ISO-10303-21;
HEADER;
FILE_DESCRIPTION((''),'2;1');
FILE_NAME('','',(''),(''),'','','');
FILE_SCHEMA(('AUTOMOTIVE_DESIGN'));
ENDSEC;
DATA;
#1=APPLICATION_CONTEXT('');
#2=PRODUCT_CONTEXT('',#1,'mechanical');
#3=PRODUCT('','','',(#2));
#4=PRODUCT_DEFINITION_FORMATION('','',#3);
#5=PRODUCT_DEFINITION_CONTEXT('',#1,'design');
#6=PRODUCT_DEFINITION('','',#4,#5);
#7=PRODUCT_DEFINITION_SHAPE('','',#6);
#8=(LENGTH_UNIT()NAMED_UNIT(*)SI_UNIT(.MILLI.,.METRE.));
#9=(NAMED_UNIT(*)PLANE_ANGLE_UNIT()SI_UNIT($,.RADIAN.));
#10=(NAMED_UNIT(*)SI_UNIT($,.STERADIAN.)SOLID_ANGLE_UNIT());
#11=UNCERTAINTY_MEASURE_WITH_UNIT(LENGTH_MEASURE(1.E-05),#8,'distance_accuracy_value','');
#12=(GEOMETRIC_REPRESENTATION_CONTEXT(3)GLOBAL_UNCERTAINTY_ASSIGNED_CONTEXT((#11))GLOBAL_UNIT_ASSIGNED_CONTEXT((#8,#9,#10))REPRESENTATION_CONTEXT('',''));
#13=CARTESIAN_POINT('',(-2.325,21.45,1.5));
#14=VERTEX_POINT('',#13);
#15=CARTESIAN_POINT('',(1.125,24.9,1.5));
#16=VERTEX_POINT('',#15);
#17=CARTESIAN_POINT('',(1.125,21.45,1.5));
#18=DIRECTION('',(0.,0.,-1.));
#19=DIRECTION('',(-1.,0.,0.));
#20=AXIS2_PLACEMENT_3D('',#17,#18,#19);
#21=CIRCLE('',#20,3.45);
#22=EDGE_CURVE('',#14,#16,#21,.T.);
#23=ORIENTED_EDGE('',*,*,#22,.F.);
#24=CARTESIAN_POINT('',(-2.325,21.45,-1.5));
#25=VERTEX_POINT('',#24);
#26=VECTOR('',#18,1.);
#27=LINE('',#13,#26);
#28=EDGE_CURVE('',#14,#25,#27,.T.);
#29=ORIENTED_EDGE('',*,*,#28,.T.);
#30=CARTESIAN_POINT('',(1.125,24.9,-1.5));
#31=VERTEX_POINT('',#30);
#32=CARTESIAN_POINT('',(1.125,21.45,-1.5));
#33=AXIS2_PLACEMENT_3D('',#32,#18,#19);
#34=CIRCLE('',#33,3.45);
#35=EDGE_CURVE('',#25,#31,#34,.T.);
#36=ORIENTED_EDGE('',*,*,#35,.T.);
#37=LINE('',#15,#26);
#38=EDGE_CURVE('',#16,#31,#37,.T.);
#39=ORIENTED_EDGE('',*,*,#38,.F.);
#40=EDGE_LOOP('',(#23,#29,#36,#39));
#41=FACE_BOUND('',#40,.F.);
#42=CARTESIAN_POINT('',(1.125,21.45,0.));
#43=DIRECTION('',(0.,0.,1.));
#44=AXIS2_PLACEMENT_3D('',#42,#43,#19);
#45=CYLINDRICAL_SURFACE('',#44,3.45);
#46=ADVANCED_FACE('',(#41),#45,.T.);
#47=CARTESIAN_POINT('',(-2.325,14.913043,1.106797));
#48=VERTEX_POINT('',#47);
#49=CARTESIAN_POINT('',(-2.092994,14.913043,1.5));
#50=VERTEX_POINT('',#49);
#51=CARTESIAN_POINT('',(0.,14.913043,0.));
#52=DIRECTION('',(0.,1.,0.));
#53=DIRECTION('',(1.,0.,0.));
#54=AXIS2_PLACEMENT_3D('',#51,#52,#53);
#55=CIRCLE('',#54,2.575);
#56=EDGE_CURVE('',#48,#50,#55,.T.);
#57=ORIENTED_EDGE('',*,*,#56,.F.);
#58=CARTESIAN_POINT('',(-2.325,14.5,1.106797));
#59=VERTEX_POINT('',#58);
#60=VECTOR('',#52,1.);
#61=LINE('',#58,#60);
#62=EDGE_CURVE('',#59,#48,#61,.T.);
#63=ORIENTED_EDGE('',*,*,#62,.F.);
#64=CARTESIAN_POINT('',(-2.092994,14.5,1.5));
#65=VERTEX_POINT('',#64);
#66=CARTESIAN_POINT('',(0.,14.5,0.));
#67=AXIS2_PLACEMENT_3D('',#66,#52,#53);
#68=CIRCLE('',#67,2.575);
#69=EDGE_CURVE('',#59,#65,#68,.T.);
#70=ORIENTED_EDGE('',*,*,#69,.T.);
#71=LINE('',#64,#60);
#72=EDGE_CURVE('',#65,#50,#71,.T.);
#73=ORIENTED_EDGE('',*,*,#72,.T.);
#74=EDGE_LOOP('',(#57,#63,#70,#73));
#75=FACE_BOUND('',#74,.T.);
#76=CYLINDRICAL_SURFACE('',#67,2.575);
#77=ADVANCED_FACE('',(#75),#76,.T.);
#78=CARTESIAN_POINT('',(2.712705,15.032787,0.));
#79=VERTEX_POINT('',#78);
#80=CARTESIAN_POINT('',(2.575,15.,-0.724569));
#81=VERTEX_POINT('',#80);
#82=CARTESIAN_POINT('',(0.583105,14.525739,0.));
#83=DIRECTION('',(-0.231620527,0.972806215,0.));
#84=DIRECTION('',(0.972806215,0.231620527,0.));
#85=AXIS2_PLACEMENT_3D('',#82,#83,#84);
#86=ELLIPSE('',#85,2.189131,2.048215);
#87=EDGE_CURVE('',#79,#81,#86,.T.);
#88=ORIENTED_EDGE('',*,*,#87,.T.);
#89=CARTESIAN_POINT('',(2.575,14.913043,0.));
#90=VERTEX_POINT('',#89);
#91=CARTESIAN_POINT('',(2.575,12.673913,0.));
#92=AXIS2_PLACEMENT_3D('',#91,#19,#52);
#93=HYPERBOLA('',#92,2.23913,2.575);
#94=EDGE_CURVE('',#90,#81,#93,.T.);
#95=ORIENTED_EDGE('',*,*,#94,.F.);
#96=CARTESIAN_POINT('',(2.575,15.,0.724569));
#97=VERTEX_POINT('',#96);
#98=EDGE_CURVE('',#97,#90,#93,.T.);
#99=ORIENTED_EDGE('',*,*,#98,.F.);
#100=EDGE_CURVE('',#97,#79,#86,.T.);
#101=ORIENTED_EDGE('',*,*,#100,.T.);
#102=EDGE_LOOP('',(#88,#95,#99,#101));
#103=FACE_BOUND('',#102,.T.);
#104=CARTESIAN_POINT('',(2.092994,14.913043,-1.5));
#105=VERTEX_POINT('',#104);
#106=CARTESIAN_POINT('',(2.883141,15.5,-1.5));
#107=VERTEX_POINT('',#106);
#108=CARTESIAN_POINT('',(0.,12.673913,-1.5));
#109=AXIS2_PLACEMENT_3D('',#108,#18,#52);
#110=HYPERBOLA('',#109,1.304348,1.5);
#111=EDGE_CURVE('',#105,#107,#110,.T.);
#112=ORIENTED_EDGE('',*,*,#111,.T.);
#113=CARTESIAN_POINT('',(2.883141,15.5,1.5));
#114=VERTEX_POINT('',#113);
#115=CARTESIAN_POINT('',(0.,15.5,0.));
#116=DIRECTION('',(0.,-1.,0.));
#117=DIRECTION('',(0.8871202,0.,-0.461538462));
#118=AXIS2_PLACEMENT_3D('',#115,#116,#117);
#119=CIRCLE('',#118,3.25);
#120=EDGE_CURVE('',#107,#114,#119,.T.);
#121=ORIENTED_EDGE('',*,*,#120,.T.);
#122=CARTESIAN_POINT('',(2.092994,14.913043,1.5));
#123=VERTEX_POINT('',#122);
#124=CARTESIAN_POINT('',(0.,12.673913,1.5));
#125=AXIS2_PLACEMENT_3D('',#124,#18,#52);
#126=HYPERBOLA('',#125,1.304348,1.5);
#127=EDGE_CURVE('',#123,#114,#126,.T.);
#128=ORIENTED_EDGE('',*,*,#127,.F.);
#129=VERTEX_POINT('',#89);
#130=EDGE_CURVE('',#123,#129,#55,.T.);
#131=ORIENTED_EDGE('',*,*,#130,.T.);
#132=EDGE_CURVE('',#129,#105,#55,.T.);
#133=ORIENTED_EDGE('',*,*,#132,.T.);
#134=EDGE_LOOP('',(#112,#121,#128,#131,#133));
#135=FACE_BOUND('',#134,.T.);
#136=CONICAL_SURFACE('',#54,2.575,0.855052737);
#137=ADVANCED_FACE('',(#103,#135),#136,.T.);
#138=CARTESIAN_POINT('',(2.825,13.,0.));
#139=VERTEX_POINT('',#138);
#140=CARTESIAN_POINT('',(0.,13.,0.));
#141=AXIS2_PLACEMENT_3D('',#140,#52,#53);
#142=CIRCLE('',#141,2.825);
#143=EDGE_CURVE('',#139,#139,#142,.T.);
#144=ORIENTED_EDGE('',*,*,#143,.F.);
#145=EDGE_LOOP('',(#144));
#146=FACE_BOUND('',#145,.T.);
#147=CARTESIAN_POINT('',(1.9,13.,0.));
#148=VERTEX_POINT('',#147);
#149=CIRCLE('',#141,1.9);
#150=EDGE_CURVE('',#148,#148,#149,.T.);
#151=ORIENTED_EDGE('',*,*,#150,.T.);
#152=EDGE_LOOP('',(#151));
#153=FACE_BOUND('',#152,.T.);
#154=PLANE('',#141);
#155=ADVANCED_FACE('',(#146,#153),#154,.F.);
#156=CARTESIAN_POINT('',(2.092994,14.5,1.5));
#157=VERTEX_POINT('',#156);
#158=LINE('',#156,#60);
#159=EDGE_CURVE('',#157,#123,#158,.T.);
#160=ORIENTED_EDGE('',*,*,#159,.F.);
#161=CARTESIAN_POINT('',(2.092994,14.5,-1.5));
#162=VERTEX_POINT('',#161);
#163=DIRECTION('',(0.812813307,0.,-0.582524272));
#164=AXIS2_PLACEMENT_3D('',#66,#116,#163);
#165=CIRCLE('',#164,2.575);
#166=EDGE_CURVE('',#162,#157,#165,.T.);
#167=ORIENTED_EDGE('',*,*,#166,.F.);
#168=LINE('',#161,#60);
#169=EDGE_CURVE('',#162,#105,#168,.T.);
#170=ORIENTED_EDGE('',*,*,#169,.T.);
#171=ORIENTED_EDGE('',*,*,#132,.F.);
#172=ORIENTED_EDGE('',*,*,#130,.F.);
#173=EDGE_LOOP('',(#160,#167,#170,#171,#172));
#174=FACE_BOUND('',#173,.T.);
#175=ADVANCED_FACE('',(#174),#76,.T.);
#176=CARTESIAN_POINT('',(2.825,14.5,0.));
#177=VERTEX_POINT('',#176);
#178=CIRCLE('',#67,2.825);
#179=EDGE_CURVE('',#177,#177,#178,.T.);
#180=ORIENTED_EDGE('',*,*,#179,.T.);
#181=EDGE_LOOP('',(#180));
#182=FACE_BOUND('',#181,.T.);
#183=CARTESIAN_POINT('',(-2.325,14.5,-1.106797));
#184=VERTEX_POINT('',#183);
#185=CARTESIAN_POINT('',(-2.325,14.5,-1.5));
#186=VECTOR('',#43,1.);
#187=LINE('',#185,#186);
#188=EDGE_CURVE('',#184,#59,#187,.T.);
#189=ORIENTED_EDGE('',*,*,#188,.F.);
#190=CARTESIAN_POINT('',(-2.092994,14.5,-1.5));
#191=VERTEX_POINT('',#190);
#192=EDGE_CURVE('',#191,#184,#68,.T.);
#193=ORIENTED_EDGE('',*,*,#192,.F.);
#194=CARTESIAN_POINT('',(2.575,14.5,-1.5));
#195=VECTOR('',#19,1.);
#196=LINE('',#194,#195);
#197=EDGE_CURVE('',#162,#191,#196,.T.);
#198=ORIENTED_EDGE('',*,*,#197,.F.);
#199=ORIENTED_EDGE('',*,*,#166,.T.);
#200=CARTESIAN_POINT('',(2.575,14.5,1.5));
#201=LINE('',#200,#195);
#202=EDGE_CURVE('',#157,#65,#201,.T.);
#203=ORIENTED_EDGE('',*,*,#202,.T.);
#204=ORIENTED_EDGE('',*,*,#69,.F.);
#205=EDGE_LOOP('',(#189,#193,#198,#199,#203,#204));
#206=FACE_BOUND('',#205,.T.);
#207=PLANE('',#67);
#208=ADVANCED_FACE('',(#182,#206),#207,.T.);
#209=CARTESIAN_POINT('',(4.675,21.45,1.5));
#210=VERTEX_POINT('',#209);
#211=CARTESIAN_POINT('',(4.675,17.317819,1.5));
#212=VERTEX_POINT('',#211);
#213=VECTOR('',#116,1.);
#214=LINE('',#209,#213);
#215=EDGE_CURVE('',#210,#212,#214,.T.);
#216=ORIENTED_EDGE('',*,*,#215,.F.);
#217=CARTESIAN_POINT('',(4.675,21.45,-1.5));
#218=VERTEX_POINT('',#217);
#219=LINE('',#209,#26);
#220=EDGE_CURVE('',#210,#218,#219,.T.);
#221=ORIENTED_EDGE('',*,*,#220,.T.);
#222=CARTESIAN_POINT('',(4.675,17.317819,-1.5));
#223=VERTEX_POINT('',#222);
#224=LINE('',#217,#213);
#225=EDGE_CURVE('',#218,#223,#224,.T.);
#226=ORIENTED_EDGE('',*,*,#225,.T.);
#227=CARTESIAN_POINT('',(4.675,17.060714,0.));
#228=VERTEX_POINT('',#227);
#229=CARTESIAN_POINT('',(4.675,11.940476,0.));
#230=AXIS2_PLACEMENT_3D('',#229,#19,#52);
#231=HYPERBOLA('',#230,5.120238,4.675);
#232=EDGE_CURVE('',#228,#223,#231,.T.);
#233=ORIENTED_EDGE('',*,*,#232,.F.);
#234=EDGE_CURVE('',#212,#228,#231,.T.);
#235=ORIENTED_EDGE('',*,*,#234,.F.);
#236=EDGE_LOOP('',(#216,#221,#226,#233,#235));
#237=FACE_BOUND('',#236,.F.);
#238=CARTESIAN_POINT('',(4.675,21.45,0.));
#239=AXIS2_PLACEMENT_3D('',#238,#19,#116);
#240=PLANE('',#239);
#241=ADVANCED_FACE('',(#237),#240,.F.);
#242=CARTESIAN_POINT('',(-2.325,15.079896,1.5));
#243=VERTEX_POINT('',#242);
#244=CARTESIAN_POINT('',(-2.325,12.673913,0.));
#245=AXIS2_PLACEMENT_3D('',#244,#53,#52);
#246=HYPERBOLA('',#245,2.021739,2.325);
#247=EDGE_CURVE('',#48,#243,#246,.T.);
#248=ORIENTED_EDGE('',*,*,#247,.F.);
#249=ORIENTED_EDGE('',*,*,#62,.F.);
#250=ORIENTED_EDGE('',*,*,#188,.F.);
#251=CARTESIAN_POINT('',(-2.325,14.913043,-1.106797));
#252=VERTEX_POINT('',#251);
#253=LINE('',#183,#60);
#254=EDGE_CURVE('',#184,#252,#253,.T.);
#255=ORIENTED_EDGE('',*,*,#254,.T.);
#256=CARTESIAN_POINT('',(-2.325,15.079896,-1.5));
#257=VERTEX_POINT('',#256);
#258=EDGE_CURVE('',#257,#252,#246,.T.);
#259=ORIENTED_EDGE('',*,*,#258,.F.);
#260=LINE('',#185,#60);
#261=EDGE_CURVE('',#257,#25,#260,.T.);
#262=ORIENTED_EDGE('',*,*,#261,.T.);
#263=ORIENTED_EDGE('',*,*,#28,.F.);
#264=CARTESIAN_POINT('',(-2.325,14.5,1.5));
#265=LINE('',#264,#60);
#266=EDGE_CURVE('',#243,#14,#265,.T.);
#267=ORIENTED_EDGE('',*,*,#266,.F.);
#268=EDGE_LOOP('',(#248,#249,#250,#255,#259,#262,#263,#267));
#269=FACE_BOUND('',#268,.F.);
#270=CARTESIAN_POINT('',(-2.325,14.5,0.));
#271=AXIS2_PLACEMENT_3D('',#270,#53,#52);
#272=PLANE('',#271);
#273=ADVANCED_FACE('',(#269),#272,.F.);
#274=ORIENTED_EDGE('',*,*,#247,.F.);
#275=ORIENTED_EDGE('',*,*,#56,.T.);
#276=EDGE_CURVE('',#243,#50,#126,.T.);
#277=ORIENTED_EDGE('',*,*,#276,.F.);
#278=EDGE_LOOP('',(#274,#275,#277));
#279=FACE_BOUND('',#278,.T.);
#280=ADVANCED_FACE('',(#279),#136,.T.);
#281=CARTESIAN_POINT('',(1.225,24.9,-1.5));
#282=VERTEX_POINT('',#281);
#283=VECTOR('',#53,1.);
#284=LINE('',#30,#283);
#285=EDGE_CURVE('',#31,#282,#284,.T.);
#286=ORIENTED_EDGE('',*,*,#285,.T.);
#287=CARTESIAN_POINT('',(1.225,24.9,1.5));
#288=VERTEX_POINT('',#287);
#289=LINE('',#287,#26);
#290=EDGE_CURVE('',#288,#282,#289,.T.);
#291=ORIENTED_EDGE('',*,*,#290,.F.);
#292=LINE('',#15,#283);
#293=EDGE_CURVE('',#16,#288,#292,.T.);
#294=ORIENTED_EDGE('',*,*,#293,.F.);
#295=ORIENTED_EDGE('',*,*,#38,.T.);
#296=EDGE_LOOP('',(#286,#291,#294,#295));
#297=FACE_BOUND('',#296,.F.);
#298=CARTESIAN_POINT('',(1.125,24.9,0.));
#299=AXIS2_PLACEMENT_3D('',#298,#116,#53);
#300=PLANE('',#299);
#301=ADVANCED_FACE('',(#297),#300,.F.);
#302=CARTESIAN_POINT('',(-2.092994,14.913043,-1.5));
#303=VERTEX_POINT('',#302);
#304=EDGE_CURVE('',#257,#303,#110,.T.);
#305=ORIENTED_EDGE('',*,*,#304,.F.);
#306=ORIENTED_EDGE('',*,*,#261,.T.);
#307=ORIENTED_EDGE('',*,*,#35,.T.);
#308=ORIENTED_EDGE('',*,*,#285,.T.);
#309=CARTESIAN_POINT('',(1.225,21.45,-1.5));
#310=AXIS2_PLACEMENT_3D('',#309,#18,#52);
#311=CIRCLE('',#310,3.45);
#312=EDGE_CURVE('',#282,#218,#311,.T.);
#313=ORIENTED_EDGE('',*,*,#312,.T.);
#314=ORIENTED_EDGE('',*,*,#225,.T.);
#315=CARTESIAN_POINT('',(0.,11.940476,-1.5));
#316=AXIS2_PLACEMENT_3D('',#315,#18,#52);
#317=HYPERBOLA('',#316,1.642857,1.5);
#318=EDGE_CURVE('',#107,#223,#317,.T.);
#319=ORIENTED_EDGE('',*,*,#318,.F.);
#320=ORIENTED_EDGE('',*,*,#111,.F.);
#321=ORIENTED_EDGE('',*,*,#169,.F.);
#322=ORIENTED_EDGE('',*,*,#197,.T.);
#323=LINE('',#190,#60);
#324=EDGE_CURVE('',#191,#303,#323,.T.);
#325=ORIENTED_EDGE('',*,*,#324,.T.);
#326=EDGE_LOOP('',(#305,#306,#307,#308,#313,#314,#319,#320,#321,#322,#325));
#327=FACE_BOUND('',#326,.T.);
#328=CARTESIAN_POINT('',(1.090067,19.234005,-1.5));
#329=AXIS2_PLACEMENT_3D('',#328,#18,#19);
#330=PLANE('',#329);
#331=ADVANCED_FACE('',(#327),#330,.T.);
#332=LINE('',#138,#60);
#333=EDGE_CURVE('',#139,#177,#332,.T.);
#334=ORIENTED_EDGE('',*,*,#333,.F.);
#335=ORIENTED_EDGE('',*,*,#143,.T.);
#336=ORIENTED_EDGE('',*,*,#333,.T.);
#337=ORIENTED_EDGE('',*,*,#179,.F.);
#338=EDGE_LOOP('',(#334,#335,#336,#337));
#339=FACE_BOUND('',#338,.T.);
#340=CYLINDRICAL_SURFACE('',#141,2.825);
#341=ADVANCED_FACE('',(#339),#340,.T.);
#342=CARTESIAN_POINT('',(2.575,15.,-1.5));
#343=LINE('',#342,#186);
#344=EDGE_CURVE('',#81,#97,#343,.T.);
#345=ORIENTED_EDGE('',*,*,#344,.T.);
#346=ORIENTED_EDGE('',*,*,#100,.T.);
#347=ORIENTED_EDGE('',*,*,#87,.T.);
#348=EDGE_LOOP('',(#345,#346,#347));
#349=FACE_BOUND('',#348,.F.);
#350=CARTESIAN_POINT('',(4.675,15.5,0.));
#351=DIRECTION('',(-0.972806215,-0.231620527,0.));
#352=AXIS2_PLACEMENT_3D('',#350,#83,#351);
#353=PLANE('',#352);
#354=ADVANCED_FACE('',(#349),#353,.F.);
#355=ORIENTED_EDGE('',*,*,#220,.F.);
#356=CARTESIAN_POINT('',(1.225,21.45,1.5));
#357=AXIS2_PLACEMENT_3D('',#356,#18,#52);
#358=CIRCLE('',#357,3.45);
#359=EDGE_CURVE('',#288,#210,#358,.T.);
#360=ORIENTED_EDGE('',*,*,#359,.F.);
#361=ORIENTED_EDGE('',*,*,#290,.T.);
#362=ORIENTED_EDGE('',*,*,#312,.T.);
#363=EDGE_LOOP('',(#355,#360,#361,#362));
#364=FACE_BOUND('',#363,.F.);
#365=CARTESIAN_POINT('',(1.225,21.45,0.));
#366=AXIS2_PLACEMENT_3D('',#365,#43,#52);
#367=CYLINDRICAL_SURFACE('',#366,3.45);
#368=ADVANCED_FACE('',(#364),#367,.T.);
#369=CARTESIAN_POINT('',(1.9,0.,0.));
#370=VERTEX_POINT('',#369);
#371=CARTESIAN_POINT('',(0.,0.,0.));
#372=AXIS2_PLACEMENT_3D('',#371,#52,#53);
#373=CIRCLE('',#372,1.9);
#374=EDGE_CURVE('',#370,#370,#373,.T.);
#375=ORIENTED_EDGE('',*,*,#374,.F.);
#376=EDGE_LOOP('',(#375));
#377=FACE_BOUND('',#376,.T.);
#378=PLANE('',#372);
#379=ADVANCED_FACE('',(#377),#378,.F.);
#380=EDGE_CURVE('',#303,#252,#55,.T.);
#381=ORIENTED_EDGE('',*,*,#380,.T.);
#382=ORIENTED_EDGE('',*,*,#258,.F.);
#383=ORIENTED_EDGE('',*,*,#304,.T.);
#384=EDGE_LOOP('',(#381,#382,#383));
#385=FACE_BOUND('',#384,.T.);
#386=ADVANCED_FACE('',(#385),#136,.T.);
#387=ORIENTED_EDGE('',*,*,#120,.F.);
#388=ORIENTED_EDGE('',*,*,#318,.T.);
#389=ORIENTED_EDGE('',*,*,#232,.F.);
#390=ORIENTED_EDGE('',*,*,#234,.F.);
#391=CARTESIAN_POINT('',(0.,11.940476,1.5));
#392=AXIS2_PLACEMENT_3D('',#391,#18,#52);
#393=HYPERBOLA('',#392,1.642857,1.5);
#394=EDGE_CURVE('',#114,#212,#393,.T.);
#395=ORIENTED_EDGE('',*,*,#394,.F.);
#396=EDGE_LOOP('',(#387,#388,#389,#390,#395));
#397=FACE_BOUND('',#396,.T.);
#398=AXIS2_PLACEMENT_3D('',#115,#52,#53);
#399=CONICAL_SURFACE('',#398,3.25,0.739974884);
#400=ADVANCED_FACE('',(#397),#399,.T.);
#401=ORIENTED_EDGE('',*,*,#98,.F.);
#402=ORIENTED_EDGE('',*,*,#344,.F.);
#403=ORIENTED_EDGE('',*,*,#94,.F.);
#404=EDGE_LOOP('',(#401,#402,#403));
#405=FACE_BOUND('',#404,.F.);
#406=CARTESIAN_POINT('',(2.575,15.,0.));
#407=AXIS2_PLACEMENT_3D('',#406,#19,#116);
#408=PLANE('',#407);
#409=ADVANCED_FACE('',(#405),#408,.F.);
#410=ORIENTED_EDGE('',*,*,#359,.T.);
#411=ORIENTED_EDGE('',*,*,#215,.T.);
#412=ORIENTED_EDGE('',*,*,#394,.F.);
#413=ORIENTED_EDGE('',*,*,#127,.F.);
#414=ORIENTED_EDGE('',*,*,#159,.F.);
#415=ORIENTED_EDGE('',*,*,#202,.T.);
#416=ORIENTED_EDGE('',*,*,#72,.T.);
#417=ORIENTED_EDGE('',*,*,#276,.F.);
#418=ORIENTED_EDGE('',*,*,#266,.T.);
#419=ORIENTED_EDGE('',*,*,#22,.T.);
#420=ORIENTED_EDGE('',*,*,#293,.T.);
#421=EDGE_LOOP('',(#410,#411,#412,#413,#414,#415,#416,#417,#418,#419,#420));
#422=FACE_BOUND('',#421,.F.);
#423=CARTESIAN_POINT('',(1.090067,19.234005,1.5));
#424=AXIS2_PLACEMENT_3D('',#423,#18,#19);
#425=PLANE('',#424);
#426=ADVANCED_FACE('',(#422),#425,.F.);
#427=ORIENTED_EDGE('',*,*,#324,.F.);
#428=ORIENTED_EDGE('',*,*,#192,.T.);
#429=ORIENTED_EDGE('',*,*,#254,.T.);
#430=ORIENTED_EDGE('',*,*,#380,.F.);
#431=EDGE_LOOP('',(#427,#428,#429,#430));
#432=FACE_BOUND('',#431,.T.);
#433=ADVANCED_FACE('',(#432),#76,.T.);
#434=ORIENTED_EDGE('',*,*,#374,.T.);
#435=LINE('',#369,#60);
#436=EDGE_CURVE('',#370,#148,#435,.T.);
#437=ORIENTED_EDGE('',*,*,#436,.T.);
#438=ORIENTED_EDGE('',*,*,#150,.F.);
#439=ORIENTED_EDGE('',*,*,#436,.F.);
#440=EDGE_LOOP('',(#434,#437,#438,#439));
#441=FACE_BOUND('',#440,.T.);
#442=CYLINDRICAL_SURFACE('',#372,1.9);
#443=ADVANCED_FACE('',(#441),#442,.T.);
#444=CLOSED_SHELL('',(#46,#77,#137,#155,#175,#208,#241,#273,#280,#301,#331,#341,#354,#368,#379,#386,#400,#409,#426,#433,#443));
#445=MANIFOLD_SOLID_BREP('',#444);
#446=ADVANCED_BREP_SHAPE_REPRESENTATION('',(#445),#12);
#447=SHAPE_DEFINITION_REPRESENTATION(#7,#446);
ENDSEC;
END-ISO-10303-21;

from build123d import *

# Parameters (mm, degrees)
BOSS_EXTRUDE1_DEPTH = 1.5


with BuildPart() as part:
    # Sketch1 → Revolve1 (revolve)
    with BuildSketch(Plane.XY):
        Polygon((0, 0), (1.9, 0), (1.9, 13), (2.825, 13), (2.825, 14.5), (0, 14.5), align=None)
    revolve(axis=Axis((0, 0, 0), (0, 1, 0)))

    # Sketch2 → Boss-Extrude1 (add, symmetric)
    with BuildSketch(Plane.XY):
        with BuildLine():
            Line((-2.325, 14.5), (-2.325, 21.45))
            ThreePointArc((-2.325, 21.45), (-1.314518395, 23.889518395), (1.125, 24.9))
            Line((1.125, 24.9), (1.225, 24.9))
            ThreePointArc((1.225, 24.9), (3.664518395, 23.889518395), (4.675, 21.45))
            Line((4.675, 21.45), (4.675, 15.5))
            Line((4.675, 15.5), (2.575, 15))
            Line((2.575, 15), (2.575, 14.5))
            Line((2.575, 14.5), (-2.325, 14.5))
        make_face()
    extrude(amount=BOSS_EXTRUDE1_DEPTH, both=True)

    # Sketch3 → DELETE CUT TO SEE REAL COMPONENT (revolve, cut)
    with BuildSketch(Plane.XY):
        Polygon((3.25, 15.5), (5.35, 17.8), (6.288787076, 17.8), (6.288787076, 14.5), (2.575, 14.5), (2.575, 14.913043478), align=None)
    revolve(axis=Axis((0, 0, 0), (0, 1, 0)), mode=Mode.SUBTRACT)


solid = part.part
